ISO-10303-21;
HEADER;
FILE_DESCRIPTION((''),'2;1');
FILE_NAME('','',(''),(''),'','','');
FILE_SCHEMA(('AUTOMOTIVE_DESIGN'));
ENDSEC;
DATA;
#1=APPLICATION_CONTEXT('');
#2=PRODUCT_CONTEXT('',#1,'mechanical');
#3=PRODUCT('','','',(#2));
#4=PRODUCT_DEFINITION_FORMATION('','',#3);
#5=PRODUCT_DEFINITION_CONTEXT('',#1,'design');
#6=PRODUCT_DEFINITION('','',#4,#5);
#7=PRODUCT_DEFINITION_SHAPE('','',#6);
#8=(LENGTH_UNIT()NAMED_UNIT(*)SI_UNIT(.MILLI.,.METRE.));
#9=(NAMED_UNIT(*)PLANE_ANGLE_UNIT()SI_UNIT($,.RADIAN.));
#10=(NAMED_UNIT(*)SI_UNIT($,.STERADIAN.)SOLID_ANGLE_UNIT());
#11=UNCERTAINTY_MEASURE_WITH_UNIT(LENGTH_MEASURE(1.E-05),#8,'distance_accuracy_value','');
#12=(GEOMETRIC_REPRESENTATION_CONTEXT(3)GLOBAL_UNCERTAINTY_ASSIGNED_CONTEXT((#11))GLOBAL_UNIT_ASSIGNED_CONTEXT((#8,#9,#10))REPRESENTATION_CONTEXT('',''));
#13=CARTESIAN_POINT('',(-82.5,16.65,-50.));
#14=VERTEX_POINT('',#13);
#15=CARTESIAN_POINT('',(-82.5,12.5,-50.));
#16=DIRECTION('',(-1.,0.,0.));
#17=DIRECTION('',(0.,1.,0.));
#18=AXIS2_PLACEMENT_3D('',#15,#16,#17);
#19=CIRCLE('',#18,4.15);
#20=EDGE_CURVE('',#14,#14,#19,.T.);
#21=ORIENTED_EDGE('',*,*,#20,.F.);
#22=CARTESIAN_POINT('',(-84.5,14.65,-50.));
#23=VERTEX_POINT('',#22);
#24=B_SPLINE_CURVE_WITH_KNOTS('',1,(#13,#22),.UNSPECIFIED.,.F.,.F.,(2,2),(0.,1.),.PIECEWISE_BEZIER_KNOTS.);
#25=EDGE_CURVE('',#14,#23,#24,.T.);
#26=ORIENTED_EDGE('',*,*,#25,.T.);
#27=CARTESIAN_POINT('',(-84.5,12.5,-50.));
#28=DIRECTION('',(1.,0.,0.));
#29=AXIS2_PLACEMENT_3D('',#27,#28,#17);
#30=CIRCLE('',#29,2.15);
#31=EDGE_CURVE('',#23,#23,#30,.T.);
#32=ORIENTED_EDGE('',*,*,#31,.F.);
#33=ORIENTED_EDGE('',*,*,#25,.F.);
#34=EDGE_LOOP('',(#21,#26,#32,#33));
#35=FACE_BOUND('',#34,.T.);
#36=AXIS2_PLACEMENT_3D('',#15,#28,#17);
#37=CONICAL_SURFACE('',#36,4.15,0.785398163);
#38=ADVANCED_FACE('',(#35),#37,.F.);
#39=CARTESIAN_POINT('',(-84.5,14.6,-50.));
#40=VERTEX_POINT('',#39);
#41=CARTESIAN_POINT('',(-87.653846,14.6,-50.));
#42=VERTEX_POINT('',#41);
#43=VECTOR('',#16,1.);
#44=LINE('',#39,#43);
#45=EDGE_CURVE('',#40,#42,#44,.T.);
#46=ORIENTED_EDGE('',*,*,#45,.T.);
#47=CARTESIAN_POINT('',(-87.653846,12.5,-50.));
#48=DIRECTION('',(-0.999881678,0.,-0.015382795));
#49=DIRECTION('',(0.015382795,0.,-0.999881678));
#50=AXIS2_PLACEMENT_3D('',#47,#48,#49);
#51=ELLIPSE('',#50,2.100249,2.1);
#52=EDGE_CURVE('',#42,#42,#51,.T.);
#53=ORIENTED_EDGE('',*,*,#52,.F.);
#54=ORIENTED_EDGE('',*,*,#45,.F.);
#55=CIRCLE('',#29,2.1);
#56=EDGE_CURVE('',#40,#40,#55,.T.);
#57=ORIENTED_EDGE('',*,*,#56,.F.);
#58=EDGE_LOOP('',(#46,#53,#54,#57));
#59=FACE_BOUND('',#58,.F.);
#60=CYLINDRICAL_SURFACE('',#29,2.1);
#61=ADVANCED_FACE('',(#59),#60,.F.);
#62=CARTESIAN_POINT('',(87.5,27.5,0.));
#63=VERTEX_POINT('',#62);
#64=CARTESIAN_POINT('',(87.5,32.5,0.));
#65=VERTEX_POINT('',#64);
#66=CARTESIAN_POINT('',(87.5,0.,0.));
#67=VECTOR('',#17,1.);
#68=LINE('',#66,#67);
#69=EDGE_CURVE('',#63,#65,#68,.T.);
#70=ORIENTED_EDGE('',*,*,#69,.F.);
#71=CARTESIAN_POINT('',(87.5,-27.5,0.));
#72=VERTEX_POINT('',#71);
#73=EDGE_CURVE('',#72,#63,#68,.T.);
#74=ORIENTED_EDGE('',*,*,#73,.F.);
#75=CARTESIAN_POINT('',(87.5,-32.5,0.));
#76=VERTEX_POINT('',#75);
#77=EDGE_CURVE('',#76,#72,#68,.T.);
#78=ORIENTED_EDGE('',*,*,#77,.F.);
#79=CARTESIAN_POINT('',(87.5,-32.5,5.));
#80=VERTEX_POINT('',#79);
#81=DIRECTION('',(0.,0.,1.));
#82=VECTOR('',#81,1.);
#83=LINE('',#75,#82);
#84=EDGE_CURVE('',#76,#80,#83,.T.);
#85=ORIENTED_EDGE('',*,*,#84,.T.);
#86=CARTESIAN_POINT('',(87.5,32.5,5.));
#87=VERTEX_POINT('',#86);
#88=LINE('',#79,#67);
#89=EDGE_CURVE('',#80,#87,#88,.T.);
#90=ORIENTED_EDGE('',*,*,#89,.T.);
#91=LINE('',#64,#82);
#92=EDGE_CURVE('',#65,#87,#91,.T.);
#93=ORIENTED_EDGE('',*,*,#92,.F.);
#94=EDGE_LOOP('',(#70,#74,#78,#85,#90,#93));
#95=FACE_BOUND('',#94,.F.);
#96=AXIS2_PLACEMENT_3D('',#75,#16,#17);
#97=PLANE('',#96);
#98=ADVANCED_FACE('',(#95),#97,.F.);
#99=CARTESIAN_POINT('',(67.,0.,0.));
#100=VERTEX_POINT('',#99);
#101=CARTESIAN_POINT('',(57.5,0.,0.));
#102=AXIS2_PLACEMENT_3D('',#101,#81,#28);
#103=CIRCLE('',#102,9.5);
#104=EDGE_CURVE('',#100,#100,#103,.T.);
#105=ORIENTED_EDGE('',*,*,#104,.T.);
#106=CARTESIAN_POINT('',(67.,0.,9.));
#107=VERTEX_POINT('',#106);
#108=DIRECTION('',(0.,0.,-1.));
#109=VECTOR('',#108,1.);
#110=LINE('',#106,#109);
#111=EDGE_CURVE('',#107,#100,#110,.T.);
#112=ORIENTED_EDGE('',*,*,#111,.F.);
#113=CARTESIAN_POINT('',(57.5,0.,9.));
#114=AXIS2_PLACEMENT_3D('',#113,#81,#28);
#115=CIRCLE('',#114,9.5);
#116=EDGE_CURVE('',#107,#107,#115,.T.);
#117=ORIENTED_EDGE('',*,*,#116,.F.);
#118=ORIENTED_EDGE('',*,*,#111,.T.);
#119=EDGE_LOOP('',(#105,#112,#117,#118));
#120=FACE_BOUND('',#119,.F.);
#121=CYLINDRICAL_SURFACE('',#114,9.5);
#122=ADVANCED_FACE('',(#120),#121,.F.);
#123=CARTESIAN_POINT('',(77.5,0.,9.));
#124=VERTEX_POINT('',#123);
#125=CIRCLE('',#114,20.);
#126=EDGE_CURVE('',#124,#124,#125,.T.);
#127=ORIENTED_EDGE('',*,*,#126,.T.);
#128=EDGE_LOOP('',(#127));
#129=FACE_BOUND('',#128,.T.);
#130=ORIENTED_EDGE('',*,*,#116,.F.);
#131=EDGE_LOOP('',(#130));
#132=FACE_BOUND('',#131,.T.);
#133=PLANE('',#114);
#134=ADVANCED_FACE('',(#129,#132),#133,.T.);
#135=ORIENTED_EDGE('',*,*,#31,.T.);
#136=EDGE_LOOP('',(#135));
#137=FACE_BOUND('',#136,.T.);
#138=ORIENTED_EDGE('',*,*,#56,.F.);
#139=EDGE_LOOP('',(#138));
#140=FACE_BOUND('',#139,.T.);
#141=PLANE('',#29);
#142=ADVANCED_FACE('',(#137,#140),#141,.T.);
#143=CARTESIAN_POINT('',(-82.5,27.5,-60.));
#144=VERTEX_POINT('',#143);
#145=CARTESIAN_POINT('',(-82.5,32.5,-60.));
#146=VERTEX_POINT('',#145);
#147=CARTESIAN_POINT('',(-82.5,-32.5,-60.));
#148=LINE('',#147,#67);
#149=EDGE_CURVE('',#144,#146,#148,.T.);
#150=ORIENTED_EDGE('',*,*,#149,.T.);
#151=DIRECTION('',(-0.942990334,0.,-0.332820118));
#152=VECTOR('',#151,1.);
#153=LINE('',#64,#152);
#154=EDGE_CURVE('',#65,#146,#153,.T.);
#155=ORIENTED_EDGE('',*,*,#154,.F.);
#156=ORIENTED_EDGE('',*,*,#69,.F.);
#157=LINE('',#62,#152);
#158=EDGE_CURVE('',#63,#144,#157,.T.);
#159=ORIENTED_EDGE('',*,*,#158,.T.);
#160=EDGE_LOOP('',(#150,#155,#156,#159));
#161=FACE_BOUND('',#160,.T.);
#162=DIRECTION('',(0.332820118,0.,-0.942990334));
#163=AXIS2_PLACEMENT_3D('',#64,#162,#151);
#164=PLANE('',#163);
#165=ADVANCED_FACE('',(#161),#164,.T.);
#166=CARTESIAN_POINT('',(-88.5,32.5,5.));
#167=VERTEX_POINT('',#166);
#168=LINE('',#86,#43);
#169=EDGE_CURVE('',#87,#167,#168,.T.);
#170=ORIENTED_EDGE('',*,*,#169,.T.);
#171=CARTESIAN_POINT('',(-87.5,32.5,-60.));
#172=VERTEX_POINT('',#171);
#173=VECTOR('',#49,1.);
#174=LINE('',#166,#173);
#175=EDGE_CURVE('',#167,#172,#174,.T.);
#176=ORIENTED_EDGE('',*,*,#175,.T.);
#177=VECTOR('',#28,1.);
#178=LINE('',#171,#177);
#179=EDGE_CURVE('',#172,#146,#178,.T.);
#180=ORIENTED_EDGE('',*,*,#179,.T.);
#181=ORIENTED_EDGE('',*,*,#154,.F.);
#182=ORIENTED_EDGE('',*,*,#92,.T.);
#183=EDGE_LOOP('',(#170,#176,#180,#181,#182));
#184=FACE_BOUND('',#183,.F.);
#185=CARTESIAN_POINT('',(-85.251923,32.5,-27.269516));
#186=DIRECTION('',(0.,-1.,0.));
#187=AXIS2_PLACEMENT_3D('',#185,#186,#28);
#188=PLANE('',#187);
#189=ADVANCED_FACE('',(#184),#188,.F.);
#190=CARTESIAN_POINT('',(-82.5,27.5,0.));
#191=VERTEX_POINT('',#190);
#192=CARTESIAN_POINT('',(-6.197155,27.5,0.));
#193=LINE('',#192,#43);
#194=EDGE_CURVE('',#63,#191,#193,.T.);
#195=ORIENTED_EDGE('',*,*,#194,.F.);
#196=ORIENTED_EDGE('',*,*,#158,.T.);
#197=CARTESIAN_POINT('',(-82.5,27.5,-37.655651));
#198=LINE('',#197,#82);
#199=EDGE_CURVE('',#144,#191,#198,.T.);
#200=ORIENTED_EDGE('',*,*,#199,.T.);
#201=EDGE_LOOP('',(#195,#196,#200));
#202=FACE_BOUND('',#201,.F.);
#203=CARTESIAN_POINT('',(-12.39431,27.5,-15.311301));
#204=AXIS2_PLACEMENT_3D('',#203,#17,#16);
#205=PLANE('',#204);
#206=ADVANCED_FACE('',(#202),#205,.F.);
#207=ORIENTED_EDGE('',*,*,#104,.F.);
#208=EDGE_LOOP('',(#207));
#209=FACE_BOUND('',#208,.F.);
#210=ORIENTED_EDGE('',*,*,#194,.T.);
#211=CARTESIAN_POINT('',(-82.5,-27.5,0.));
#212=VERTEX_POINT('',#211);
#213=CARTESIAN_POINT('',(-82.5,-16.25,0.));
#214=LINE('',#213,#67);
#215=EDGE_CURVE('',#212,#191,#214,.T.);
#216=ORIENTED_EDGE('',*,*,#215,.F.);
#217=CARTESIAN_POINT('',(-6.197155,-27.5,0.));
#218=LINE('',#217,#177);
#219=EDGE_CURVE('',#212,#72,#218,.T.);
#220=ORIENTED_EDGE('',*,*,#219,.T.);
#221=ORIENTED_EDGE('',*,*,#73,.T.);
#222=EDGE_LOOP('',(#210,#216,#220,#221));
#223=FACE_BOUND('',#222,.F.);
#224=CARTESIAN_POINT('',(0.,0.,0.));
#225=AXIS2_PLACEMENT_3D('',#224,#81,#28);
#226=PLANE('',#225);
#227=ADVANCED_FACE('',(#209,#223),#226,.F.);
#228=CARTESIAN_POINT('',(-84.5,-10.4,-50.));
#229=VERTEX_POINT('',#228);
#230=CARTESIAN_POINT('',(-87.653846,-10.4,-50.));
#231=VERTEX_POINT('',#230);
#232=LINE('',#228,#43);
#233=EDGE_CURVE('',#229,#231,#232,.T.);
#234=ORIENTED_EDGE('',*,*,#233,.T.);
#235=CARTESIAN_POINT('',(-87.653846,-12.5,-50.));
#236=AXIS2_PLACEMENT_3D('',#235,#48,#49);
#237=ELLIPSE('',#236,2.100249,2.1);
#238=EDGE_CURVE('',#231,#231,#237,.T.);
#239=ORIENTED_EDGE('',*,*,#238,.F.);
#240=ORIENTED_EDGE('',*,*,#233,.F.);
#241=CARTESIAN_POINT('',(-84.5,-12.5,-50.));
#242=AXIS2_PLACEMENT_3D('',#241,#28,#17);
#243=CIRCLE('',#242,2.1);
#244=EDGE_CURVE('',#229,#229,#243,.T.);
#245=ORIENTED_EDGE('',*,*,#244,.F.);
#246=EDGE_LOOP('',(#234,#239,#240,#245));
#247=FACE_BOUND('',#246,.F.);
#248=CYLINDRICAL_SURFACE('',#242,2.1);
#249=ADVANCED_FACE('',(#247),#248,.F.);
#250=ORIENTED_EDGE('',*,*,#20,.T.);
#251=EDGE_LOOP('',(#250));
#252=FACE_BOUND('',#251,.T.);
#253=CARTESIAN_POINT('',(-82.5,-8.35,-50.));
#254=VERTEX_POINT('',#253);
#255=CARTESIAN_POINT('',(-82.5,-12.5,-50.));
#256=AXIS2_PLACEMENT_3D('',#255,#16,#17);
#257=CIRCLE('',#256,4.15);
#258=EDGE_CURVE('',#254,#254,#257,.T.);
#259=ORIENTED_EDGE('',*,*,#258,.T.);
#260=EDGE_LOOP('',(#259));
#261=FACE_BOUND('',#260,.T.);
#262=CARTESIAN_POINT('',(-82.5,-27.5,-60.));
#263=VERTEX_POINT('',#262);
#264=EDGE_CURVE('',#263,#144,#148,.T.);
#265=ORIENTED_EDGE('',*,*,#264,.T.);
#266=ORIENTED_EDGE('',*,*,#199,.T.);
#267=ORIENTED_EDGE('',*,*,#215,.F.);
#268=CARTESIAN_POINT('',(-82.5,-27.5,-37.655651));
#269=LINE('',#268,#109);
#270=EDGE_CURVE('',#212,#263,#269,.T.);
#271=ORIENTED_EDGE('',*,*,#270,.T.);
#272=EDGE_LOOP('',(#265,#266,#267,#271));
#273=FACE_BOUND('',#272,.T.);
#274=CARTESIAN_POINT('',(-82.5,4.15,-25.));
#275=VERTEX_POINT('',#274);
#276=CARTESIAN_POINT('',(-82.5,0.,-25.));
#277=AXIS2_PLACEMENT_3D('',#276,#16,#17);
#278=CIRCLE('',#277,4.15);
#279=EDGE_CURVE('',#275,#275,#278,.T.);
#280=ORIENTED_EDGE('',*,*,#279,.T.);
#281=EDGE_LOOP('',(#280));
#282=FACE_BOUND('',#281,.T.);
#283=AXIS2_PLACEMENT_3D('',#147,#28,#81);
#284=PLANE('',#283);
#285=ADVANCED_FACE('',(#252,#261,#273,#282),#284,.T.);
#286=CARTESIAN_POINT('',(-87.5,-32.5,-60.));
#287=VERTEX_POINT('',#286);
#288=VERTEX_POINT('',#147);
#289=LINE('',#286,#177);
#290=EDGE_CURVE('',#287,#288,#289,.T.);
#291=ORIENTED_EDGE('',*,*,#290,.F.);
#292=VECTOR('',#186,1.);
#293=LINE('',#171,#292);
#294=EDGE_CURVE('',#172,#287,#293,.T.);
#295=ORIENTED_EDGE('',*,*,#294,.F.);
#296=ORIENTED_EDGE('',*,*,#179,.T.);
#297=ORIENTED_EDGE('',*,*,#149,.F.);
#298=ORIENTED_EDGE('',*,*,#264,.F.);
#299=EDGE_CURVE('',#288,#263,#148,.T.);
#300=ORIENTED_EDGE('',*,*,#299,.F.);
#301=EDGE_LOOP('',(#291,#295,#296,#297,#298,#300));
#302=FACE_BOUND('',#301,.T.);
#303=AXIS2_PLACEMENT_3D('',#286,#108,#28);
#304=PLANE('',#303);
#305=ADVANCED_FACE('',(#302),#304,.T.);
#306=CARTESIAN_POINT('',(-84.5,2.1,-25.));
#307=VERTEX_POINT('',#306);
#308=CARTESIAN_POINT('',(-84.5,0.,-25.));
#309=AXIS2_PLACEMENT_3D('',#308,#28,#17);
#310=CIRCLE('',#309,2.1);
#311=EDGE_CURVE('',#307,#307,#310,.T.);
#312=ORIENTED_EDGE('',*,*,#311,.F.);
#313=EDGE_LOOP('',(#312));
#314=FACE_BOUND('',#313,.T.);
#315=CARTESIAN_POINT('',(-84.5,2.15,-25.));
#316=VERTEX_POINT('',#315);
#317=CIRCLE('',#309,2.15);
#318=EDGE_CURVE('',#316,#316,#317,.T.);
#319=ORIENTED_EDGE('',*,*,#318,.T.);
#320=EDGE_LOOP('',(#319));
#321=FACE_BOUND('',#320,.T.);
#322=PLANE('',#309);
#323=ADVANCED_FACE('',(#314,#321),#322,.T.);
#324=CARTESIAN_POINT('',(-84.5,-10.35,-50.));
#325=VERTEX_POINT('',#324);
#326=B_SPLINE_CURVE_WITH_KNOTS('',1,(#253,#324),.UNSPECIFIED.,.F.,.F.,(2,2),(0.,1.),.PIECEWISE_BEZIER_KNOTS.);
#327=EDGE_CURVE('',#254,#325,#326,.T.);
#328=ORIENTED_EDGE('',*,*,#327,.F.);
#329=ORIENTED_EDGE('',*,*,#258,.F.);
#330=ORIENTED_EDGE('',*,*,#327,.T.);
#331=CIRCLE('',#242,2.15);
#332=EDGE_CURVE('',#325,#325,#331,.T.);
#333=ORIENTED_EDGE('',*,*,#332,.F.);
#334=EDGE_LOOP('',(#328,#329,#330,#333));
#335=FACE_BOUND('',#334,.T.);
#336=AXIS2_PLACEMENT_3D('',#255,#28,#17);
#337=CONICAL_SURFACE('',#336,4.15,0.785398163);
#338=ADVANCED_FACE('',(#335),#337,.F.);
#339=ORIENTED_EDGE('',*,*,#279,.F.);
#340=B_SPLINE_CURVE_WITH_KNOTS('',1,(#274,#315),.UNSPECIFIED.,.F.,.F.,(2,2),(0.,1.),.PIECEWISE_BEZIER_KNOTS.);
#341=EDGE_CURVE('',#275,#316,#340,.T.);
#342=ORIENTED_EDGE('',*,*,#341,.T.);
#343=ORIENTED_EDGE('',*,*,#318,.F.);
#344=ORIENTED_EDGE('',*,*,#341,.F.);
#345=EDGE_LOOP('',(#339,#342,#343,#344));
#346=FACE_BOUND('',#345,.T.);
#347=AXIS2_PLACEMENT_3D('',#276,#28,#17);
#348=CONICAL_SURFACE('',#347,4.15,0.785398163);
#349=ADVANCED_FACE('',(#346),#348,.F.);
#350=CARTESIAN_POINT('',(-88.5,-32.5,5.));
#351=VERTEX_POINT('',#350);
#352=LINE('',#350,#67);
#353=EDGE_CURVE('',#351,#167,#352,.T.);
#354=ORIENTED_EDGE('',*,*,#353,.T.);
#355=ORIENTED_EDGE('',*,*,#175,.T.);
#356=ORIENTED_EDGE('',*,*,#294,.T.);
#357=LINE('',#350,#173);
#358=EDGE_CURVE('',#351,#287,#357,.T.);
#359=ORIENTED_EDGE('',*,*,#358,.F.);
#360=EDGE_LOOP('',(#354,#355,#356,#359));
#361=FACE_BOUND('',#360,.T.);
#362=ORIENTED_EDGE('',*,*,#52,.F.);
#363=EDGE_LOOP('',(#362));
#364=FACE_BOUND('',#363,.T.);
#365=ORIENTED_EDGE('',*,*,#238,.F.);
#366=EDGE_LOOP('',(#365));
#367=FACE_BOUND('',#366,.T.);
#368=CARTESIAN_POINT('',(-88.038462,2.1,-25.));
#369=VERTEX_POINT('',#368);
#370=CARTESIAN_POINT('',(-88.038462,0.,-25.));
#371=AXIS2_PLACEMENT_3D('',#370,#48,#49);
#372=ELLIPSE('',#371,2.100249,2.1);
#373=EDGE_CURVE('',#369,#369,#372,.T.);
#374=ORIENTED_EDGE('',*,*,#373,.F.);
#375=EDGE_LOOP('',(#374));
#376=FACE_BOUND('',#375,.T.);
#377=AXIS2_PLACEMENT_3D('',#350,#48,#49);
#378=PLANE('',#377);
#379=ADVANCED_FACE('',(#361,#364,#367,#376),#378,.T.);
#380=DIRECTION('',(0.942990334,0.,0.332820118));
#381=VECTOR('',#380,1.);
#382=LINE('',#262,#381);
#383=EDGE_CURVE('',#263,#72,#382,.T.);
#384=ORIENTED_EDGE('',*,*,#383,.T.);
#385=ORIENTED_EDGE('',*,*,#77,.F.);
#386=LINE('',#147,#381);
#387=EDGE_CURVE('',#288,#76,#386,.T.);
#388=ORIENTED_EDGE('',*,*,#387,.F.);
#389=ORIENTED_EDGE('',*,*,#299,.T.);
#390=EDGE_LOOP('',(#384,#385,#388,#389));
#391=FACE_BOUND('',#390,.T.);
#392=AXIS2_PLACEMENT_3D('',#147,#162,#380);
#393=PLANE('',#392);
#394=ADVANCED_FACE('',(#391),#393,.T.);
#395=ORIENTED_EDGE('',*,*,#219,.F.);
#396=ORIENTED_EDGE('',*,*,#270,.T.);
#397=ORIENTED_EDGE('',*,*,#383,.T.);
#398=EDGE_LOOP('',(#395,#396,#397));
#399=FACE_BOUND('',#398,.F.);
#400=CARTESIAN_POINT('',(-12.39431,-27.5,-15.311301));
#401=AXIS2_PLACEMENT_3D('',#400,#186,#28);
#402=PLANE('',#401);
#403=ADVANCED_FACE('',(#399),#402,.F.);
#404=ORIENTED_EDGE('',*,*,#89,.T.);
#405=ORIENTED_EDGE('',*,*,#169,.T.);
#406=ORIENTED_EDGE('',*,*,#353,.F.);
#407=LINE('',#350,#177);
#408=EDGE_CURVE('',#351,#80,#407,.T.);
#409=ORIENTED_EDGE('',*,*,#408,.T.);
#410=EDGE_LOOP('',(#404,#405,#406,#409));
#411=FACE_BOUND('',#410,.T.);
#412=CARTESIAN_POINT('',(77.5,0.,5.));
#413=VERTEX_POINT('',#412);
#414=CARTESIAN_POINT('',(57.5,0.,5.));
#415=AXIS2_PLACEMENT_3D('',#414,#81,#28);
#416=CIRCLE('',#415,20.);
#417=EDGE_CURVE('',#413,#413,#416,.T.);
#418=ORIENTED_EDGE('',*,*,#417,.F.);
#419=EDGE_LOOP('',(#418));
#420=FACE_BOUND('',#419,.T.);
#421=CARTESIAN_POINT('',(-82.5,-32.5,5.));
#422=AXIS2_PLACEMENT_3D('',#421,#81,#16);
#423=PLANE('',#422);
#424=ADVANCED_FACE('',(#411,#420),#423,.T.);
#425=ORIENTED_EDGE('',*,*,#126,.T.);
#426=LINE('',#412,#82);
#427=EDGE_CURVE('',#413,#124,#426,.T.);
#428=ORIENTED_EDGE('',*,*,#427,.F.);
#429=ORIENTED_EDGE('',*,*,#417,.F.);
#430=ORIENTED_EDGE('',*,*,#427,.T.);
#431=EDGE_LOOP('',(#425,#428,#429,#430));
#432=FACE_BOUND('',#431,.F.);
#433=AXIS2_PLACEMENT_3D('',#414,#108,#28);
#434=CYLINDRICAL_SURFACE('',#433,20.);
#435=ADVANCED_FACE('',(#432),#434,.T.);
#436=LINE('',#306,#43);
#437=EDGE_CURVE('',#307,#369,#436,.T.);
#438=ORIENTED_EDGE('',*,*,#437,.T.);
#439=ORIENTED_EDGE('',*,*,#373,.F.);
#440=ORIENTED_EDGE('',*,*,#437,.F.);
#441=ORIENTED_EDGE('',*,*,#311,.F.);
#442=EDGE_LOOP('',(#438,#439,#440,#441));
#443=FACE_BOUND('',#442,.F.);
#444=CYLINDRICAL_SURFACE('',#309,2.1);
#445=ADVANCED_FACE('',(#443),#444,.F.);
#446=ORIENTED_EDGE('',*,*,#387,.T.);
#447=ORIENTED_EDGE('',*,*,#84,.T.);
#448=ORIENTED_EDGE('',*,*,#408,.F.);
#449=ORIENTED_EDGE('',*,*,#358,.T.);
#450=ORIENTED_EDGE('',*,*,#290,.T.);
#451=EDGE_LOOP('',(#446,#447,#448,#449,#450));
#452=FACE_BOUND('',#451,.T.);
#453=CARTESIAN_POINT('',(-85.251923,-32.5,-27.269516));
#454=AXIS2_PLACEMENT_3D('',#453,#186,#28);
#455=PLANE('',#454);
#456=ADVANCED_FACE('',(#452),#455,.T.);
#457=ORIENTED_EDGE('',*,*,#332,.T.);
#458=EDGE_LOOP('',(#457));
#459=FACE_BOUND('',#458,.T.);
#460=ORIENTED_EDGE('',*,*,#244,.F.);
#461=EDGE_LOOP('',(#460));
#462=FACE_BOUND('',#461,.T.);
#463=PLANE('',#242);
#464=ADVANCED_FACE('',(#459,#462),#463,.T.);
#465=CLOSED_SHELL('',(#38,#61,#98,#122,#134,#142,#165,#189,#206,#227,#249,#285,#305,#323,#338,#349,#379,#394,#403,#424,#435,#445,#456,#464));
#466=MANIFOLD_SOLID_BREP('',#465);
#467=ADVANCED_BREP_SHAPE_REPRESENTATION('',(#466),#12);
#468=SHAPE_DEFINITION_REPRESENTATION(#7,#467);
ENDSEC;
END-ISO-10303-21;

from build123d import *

# Parameters (mm, degrees)
SKETCH_W        = 175
SKETCH_H        = 65
PAD_DEPTH       = 5
SKETCH001_R     = 20
PAD001_DEPTH    = 4
SKETCH002_R     = 9.5
POCKET_DEPTH    = 9.01
PAD002_DEPTH    = 65
PAD003_DEPTH    = 5
PAD004_DEPTH    = 5
SKETCH006_R     = 4.15
POCKET001_DEPTH = 2
POCKET001_TAPER = 45
SKETCH007_R     = 2.1
POCKET002_DEPTH = 5


with BuildPart() as part:
    # Sketch → Pad (new body)
    with BuildSketch(Plane.XY):
        Rectangle(SKETCH_W, SKETCH_H)
    extrude(amount=PAD_DEPTH)

    # Sketch001 (on Face6 of Pad) → Pad001 (join)
    with BuildSketch(Plane.XY.offset(5)):
        with Locations((57.5, 0)):
            Circle(SKETCH001_R)
    extrude(amount=PAD001_DEPTH)

    # Sketch002 (on Face8 of Pad001) → Pocket (cut)
    with BuildSketch(Plane.XY.offset(9)):
        with Locations((57.5, 0)):
            Circle(SKETCH002_R)
    extrude(amount=-POCKET_DEPTH, mode=Mode.SUBTRACT)

    # Sketch003 (on Face6 of Pocket) → Pad002 (join)
    with BuildSketch(Plane.XZ.offset(32.5)):
        Polygon((-88.5, 5), (-87.5, -60), (-82.5, -60), (-82.5, 5), align=None)
    extrude(amount=-PAD002_DEPTH)

    # Sketch004 (on Face3 of Pad002) → Pad003 (join)
    with BuildSketch(Plane(origin=(0, 32.5, 0), x_dir=(-1, 0, 0), z_dir=(0, 1, 0))):
        Polygon((-87.5, 5), (-87.5, 0), (82.5, -60), (87.5, -60), (88.5, 5), align=None)
    extrude(amount=-PAD003_DEPTH)

    # Sketch005 (on Face23 of Pad003) → Pad004 (join)
    with BuildSketch(Plane.XZ.offset(32.5)):
        Polygon((-88.5, 5), (-87.5, -60), (-82.5, -60), (87.5, 0), (87.5, 5), align=None)
    extrude(amount=-PAD004_DEPTH)

    # Sketch006 (on Face21 of Pad004) → Pocket001 (cut)
    with BuildSketch(Plane.YZ.offset(-82.5)):
        with Locations((0, -25)):
            Circle(SKETCH006_R)
        with Locations((-12.5, -50)):
            Circle(SKETCH006_R)
        with Locations((12.5, -50)):
            Circle(SKETCH006_R)
    extrude(amount=-POCKET001_DEPTH, taper=POCKET001_TAPER, mode=Mode.SUBTRACT)

    # Sketch007 (on Face41 of Pocket001) → Pocket002 (cut)
    with BuildSketch(Plane.YZ.offset(-84.5)):
        with Locations((0, -25)):
            Circle(SKETCH007_R)
        with Locations((12.5, -50)):
            Circle(SKETCH007_R)
        with Locations((-12.5, -50)):
            Circle(SKETCH007_R)
    extrude(amount=-POCKET002_DEPTH, mode=Mode.SUBTRACT)


solid = part.part
